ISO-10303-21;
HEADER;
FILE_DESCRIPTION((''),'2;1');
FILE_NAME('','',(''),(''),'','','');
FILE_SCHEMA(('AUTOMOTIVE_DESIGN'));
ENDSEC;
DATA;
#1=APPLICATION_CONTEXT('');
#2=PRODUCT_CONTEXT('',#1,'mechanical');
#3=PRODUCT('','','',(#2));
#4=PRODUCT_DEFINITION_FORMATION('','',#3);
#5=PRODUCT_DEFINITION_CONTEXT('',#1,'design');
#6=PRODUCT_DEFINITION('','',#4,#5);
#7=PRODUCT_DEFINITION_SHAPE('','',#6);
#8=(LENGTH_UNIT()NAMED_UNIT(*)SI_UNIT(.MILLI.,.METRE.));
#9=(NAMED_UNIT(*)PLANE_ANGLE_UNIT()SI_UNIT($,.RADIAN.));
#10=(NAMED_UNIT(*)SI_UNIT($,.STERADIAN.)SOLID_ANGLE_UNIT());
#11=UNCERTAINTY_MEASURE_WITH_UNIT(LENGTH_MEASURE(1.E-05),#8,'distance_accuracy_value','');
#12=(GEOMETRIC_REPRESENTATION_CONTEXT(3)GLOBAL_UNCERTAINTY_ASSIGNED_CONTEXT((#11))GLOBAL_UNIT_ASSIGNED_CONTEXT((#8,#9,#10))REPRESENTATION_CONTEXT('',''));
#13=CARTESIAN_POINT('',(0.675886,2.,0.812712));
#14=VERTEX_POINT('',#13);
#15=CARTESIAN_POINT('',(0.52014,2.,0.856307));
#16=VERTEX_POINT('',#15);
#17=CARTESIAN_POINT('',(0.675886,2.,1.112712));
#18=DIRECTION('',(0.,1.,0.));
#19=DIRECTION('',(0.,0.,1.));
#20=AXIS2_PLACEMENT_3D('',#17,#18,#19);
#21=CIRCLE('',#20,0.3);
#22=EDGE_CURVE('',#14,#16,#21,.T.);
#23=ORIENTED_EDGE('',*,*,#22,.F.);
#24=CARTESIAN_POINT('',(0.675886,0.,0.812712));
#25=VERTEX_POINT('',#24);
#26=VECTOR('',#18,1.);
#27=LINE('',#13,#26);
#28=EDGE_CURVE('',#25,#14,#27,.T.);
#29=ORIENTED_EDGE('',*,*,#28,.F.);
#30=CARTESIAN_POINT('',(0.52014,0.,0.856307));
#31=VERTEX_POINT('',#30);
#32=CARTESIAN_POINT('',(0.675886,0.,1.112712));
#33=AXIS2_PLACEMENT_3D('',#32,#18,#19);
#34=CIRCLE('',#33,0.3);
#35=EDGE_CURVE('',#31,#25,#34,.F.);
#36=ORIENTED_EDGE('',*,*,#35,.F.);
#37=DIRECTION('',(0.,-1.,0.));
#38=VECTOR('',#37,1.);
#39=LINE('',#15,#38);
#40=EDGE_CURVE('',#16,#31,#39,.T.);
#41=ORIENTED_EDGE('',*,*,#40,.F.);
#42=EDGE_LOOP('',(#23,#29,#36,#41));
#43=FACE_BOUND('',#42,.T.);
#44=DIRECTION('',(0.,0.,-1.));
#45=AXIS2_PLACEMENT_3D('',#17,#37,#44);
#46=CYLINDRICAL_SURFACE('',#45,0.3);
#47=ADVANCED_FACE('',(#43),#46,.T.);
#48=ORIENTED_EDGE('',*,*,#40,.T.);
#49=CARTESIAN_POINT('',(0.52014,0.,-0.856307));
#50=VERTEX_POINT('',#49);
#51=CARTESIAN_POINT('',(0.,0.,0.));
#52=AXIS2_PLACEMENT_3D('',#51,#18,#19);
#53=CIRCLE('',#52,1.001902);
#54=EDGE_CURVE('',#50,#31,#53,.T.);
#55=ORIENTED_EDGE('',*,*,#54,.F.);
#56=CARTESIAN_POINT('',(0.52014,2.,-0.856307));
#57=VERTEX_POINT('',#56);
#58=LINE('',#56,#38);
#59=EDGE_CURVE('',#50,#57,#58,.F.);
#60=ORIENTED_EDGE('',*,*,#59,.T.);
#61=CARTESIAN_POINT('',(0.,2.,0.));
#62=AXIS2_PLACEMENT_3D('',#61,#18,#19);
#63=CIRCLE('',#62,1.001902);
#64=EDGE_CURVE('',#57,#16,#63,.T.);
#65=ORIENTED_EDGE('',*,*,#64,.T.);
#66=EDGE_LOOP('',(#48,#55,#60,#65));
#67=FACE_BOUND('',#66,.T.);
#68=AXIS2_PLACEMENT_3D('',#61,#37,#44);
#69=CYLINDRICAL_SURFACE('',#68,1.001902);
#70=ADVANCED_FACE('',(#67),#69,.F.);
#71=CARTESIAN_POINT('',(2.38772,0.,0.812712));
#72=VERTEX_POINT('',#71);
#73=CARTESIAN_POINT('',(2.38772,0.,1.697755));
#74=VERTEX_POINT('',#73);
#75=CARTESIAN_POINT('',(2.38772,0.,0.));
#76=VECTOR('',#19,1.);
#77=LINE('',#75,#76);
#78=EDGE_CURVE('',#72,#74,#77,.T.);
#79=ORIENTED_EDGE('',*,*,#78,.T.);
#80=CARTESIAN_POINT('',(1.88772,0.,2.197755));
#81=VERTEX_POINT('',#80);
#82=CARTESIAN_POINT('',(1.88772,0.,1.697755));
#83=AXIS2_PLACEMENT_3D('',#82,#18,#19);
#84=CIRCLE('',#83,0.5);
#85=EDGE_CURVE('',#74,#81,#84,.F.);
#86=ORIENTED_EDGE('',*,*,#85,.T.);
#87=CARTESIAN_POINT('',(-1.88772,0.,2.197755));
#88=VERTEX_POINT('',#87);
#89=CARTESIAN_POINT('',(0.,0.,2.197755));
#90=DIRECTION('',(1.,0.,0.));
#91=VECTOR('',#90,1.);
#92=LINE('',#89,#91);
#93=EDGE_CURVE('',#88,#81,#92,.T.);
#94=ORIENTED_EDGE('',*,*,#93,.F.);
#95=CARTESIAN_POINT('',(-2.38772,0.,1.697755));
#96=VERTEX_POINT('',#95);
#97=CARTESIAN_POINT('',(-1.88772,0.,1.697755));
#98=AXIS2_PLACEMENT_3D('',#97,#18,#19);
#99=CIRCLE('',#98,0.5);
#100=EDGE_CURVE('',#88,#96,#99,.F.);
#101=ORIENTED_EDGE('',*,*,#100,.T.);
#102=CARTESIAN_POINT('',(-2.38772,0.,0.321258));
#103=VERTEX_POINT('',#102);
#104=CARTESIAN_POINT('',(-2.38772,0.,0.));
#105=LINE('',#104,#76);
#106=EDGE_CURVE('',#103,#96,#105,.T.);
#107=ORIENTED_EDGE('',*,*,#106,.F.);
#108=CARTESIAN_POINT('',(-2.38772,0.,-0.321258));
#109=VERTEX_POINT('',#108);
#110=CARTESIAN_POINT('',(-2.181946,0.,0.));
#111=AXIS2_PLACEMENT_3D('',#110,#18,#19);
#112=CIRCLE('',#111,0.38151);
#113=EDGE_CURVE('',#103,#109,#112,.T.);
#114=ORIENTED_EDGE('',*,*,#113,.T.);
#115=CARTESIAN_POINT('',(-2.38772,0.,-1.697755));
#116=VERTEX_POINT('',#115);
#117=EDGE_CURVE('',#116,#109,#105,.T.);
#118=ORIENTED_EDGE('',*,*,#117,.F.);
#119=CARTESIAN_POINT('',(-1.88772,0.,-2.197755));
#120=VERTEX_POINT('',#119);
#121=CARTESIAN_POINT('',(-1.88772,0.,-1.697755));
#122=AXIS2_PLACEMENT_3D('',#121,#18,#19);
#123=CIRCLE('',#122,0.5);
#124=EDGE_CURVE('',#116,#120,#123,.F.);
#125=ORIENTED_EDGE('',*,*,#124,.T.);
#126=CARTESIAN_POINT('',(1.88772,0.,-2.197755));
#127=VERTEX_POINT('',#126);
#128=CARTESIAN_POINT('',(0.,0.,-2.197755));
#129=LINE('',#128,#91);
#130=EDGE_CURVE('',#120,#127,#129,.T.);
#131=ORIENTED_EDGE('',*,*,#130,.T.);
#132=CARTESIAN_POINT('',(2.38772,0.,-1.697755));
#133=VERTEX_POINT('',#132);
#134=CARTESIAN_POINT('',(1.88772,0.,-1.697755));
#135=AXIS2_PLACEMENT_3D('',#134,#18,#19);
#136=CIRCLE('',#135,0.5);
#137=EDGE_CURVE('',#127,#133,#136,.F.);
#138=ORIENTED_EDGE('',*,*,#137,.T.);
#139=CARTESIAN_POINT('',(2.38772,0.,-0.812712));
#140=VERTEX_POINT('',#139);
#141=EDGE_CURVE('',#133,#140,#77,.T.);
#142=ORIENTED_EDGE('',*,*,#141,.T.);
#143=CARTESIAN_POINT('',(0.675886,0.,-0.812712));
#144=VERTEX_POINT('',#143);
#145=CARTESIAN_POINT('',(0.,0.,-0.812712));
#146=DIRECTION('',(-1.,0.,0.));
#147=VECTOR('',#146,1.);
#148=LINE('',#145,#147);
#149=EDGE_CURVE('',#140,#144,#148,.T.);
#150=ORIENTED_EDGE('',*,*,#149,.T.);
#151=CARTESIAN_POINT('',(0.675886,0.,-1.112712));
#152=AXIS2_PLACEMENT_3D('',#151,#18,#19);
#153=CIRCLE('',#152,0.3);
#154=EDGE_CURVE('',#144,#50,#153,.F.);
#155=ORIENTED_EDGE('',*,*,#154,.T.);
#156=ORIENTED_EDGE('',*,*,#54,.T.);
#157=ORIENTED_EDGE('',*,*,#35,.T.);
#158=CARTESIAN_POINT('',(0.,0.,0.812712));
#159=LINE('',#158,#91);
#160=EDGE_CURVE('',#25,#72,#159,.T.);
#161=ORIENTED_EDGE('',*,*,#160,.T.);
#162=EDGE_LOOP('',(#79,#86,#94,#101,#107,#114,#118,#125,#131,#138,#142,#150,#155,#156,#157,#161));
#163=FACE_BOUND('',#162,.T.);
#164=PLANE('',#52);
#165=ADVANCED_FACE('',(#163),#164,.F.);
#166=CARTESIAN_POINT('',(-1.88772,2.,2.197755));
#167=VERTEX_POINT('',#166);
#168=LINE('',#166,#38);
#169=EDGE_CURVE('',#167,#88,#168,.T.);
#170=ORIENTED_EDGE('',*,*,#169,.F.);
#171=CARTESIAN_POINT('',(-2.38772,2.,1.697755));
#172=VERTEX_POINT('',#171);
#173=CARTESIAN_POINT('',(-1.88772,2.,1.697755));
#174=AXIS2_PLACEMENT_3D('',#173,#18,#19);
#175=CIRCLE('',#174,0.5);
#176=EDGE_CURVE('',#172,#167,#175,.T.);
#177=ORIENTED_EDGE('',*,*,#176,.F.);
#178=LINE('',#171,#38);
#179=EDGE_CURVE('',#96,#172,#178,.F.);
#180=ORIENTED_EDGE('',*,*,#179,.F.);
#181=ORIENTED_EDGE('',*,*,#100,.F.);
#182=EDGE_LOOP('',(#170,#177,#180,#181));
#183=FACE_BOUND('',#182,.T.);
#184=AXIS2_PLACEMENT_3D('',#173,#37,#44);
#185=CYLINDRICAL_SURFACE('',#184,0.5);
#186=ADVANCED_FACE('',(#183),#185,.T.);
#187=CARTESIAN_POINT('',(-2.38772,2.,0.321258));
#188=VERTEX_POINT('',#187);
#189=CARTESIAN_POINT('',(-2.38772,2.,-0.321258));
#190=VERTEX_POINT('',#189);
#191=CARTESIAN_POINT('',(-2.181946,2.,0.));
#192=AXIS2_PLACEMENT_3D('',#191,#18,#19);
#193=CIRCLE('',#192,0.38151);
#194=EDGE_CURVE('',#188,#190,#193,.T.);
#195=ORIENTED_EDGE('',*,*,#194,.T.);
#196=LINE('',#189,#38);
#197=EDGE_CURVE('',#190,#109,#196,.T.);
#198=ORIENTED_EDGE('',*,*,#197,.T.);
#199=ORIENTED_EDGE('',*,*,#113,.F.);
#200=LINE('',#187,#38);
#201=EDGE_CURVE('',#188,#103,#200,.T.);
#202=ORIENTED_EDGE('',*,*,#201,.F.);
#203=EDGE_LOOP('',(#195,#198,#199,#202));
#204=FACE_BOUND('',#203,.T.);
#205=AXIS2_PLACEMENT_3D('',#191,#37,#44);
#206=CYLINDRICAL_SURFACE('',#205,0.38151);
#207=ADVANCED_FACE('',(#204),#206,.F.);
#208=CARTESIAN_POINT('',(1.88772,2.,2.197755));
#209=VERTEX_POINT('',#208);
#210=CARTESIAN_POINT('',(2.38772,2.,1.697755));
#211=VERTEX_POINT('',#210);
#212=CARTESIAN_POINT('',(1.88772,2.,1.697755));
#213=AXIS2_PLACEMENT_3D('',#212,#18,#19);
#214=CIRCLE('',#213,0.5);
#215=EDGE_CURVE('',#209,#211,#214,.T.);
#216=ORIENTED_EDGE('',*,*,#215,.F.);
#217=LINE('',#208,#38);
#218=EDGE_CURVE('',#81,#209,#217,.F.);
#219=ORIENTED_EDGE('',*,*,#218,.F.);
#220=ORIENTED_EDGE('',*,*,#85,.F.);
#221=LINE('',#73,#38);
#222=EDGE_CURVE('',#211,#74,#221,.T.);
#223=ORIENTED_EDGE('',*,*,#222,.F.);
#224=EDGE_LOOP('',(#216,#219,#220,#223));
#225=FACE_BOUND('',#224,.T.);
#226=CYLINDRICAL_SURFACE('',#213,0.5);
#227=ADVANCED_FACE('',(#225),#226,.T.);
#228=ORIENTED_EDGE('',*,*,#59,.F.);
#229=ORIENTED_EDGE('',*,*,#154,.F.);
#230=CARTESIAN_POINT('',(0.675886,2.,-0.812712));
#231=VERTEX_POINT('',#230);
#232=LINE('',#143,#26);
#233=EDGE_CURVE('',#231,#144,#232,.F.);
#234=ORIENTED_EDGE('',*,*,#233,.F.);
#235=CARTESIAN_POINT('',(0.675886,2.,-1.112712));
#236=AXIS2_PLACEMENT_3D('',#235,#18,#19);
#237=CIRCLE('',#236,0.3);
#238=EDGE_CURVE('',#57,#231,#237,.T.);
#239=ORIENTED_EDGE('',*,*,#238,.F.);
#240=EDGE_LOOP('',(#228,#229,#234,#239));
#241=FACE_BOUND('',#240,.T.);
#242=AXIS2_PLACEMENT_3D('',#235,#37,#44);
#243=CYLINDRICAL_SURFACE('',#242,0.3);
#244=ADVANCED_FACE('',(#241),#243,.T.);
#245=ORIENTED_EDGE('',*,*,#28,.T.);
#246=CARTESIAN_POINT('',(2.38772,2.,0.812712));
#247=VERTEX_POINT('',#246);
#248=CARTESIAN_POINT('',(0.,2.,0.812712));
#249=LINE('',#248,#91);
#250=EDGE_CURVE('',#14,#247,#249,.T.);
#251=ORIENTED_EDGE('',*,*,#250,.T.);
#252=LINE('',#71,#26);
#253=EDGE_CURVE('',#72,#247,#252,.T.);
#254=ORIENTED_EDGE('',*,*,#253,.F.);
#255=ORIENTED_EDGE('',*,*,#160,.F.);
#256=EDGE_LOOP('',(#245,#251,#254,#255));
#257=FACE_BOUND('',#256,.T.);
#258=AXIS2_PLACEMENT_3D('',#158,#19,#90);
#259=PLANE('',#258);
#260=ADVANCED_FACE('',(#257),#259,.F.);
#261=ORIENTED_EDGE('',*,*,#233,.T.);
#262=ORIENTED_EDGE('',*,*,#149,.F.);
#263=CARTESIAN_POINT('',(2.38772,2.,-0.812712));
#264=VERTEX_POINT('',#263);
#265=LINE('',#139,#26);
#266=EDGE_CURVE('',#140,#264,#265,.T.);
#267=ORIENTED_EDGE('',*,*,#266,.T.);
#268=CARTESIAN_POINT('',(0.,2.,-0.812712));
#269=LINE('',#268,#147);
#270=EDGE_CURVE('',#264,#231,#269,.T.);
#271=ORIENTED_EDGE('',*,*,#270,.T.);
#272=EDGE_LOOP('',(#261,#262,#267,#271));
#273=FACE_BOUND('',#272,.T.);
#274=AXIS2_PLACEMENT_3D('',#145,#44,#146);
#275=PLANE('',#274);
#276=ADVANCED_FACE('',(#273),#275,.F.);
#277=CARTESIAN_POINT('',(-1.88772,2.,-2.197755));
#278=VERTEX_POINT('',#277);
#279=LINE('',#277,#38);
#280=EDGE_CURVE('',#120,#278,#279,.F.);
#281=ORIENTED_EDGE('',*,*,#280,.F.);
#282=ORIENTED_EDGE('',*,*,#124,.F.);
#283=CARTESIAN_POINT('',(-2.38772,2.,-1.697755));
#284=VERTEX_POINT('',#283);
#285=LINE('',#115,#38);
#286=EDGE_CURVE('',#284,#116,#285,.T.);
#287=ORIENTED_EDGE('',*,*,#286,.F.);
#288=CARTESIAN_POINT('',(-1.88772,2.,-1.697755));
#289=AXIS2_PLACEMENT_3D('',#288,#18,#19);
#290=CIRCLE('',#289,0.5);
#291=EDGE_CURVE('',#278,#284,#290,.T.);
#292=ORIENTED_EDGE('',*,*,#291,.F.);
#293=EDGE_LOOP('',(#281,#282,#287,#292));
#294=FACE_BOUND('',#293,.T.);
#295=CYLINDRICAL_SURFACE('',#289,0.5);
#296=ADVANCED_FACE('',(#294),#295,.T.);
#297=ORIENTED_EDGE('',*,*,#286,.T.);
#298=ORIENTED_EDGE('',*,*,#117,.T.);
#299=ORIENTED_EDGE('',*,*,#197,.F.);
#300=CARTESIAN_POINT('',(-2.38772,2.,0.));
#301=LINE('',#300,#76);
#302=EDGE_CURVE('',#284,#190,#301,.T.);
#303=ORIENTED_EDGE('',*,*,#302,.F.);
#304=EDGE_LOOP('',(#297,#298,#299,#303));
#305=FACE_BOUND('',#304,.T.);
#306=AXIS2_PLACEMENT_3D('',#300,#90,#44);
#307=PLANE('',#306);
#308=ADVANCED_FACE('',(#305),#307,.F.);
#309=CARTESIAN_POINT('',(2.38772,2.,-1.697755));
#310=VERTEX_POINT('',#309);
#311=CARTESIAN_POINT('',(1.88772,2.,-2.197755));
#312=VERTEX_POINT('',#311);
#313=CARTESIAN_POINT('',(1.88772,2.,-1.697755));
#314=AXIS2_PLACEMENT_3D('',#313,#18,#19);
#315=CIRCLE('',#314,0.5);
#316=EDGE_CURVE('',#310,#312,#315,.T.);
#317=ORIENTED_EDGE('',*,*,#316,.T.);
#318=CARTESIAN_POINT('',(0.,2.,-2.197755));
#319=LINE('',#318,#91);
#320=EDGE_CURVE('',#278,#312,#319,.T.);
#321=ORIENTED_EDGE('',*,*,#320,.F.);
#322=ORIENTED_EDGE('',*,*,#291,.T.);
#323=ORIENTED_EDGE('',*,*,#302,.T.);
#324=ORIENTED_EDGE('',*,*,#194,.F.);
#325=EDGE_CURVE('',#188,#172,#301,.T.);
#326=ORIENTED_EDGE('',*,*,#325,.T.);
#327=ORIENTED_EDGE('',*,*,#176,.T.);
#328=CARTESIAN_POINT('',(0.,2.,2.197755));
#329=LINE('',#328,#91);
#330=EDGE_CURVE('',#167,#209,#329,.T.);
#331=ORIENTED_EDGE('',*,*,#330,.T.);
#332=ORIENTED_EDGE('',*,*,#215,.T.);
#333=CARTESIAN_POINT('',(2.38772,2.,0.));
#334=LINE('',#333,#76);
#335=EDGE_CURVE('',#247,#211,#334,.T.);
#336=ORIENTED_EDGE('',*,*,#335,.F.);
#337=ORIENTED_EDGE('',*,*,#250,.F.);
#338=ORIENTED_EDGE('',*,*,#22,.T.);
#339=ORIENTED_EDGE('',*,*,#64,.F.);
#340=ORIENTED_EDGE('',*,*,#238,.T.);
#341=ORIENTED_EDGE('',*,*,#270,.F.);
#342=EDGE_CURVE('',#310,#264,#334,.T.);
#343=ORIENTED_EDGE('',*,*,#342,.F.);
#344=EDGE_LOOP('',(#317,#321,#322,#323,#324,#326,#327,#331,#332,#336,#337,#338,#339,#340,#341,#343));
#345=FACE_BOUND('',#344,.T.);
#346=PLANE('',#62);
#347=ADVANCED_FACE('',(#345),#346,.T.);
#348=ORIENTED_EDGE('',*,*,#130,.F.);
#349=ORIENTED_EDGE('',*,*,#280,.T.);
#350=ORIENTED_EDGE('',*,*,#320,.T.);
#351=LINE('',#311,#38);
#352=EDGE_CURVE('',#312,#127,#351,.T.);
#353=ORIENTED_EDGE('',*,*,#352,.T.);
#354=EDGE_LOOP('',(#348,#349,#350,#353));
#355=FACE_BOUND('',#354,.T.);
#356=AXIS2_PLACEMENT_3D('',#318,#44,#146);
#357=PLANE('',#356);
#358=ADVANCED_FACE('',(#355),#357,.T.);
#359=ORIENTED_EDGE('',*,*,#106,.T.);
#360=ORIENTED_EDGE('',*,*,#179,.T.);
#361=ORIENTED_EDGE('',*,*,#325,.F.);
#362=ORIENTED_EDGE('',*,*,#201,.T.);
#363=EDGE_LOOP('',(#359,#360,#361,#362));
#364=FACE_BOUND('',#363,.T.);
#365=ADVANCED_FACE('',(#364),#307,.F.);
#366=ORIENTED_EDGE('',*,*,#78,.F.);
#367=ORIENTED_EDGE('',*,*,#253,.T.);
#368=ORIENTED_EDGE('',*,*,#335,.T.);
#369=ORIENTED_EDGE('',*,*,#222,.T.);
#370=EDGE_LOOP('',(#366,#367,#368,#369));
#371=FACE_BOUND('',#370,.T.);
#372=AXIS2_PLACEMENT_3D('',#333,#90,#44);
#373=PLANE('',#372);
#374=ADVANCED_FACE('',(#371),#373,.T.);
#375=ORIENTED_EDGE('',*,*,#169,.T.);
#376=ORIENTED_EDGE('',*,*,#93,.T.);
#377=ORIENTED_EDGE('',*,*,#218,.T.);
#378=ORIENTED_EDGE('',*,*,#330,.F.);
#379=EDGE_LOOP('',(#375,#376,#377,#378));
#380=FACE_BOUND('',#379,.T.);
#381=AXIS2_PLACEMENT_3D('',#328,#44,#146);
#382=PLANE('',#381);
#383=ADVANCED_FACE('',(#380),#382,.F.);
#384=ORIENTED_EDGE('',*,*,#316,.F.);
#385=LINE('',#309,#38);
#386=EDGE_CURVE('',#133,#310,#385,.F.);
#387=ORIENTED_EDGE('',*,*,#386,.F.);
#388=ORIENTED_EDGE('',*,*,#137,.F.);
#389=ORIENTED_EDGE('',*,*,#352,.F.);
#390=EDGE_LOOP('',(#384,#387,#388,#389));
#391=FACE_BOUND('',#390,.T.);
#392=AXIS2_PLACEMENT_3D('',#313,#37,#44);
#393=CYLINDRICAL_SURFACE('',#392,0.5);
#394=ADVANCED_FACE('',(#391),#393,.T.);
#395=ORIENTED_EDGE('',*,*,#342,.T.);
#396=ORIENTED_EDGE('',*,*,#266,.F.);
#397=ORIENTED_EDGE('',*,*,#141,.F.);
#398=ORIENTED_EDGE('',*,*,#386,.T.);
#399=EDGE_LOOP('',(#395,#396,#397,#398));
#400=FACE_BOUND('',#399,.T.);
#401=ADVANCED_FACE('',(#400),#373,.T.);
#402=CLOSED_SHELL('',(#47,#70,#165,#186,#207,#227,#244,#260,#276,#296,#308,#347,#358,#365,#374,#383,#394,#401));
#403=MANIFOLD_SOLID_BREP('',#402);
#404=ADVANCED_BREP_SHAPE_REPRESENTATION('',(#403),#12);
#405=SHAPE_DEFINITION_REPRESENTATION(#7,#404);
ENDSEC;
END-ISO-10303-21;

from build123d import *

# Parameters (mm, degrees)
SKETCH_4_R          = 1.001902262
EXTRUDE_2_DEPTH     = 2
CUT_EXTRUDE_START   = -2
CUT_EXTRUDE_3_DEPTH = 2
FILLET_1_R          = 0.5
FILLET_2_R          = 0.5
FILLET_3_R          = 0.3
CUT_EXTRUDE_4_DEPTH = 2
FILLET_4_R          = 0.3


with BuildPart() as part:
    # 草圖4 → 填料-伸長2 (new body)
    with BuildSketch(Plane(origin=(0, 0, 0), x_dir=(1, 0, 0), z_dir=(0, 1, 0))):
        with BuildLine():
            Line((2.387720447, 2.197754837), (-2.387720447, 2.197754837))
            Line((-2.387720447, 2.197754837), (-2.387720447, 0.321257975))
            ThreePointArc((-2.387720447, 0.321257975), (-1.998855162, 0.334704624), (-1.800436823, 0))
            ThreePointArc((-1.800436823, 0), (-1.998855162, -0.334704624), (-2.387720447, -0.321257975))
            Line((-2.387720447, -0.321257975), (-2.387720447, -2.197754837))
            Line((-2.387720447, -2.197754837), (2.387720447, -2.197754837))
            Line((2.387720447, -2.197754837), (2.387720447, 2.197754837))
        make_face()
        with Locations(Location((0, 0, 0), (0, 0, 270))):
            Circle(SKETCH_4_R, mode=Mode.SUBTRACT)
    extrude(amount=EXTRUDE_2_DEPTH)

    # 草圖5 → 除料-伸長3 (cut)
    with BuildSketch(Plane(origin=(0, 2, 0), x_dir=(1, 0, 0), z_dir=(0, 1, 0)).offset(CUT_EXTRUDE_START)):
        with BuildLine():
            ThreePointArc((0.834454153, 0.554521785), (0.959127116, 0.289626172), (1.001902262, 0))
            Line((1.001902262, 0), (2.387720447, 0))
            Line((2.387720447, 0), (2.387720447, 0.554521785))
            Line((2.387720447, 0.554521785), (0.834454153, 0.554521785))
        make_face()
        with BuildLine():
            Line((2.387720447, 0), (1.001902262, 0))
            ThreePointArc((1.001902262, 0), (0.959127116, -0.289626172), (0.834454153, -0.554521785))
            Line((0.834454153, -0.554521785), (2.387720447, -0.554521785))
            Line((2.387720447, -0.554521785), (2.387720447, 0))
        make_face()
    extrude(amount=CUT_EXTRUDE_3_DEPTH, mode=Mode.SUBTRACT)

    # 圓角1
    fillet_1_edges = [part.edges().sort_by_distance(p)[0] for p in [
        (2.387720447, 1, -2.197754837),
    ]]
    fillet(fillet_1_edges, radius=FILLET_1_R)

    # 圓角2
    fillet_2_edges = [part.edges().sort_by_distance(p)[0] for p in [
        (-2.387720447, 1, -2.197754837),
        (2.387720447, 1, 2.197754837),
        (-2.387720447, 1, 2.197754837),
    ]]
    fillet(fillet_2_edges, radius=FILLET_2_R)

    # 圓角3
    fillet_3_edges = [part.edges().sort_by_distance(p)[0] for p in [
        (0.834454153, 1, -0.554521785),
        (0.834454153, 1, 0.554521785),
    ]]
    fillet(fillet_3_edges, radius=FILLET_3_R)

    # 草圖6 → 除料-伸長4 (cut)
    with BuildSketch(Plane(origin=(0, 2, 0), x_dir=(1, 0, 0), z_dir=(0, 1, 0))):
        Polygon((0, 0), (0, -0.812711822), (2.387720447, -0.812711822), (2.387720447, 0.812711822), (0, 0.812711822), align=None)
    extrude(amount=-CUT_EXTRUDE_4_DEPTH, mode=Mode.SUBTRACT)

    # 圓角4
    fillet_4_edges = [part.edges().sort_by_distance(p)[0] for p in [
        (0.585924601, 1, -0.812711822),
        (0.585924601, 1, 0.812711822),
    ]]
    fillet(fillet_4_edges, radius=FILLET_4_R)


solid = part.part
